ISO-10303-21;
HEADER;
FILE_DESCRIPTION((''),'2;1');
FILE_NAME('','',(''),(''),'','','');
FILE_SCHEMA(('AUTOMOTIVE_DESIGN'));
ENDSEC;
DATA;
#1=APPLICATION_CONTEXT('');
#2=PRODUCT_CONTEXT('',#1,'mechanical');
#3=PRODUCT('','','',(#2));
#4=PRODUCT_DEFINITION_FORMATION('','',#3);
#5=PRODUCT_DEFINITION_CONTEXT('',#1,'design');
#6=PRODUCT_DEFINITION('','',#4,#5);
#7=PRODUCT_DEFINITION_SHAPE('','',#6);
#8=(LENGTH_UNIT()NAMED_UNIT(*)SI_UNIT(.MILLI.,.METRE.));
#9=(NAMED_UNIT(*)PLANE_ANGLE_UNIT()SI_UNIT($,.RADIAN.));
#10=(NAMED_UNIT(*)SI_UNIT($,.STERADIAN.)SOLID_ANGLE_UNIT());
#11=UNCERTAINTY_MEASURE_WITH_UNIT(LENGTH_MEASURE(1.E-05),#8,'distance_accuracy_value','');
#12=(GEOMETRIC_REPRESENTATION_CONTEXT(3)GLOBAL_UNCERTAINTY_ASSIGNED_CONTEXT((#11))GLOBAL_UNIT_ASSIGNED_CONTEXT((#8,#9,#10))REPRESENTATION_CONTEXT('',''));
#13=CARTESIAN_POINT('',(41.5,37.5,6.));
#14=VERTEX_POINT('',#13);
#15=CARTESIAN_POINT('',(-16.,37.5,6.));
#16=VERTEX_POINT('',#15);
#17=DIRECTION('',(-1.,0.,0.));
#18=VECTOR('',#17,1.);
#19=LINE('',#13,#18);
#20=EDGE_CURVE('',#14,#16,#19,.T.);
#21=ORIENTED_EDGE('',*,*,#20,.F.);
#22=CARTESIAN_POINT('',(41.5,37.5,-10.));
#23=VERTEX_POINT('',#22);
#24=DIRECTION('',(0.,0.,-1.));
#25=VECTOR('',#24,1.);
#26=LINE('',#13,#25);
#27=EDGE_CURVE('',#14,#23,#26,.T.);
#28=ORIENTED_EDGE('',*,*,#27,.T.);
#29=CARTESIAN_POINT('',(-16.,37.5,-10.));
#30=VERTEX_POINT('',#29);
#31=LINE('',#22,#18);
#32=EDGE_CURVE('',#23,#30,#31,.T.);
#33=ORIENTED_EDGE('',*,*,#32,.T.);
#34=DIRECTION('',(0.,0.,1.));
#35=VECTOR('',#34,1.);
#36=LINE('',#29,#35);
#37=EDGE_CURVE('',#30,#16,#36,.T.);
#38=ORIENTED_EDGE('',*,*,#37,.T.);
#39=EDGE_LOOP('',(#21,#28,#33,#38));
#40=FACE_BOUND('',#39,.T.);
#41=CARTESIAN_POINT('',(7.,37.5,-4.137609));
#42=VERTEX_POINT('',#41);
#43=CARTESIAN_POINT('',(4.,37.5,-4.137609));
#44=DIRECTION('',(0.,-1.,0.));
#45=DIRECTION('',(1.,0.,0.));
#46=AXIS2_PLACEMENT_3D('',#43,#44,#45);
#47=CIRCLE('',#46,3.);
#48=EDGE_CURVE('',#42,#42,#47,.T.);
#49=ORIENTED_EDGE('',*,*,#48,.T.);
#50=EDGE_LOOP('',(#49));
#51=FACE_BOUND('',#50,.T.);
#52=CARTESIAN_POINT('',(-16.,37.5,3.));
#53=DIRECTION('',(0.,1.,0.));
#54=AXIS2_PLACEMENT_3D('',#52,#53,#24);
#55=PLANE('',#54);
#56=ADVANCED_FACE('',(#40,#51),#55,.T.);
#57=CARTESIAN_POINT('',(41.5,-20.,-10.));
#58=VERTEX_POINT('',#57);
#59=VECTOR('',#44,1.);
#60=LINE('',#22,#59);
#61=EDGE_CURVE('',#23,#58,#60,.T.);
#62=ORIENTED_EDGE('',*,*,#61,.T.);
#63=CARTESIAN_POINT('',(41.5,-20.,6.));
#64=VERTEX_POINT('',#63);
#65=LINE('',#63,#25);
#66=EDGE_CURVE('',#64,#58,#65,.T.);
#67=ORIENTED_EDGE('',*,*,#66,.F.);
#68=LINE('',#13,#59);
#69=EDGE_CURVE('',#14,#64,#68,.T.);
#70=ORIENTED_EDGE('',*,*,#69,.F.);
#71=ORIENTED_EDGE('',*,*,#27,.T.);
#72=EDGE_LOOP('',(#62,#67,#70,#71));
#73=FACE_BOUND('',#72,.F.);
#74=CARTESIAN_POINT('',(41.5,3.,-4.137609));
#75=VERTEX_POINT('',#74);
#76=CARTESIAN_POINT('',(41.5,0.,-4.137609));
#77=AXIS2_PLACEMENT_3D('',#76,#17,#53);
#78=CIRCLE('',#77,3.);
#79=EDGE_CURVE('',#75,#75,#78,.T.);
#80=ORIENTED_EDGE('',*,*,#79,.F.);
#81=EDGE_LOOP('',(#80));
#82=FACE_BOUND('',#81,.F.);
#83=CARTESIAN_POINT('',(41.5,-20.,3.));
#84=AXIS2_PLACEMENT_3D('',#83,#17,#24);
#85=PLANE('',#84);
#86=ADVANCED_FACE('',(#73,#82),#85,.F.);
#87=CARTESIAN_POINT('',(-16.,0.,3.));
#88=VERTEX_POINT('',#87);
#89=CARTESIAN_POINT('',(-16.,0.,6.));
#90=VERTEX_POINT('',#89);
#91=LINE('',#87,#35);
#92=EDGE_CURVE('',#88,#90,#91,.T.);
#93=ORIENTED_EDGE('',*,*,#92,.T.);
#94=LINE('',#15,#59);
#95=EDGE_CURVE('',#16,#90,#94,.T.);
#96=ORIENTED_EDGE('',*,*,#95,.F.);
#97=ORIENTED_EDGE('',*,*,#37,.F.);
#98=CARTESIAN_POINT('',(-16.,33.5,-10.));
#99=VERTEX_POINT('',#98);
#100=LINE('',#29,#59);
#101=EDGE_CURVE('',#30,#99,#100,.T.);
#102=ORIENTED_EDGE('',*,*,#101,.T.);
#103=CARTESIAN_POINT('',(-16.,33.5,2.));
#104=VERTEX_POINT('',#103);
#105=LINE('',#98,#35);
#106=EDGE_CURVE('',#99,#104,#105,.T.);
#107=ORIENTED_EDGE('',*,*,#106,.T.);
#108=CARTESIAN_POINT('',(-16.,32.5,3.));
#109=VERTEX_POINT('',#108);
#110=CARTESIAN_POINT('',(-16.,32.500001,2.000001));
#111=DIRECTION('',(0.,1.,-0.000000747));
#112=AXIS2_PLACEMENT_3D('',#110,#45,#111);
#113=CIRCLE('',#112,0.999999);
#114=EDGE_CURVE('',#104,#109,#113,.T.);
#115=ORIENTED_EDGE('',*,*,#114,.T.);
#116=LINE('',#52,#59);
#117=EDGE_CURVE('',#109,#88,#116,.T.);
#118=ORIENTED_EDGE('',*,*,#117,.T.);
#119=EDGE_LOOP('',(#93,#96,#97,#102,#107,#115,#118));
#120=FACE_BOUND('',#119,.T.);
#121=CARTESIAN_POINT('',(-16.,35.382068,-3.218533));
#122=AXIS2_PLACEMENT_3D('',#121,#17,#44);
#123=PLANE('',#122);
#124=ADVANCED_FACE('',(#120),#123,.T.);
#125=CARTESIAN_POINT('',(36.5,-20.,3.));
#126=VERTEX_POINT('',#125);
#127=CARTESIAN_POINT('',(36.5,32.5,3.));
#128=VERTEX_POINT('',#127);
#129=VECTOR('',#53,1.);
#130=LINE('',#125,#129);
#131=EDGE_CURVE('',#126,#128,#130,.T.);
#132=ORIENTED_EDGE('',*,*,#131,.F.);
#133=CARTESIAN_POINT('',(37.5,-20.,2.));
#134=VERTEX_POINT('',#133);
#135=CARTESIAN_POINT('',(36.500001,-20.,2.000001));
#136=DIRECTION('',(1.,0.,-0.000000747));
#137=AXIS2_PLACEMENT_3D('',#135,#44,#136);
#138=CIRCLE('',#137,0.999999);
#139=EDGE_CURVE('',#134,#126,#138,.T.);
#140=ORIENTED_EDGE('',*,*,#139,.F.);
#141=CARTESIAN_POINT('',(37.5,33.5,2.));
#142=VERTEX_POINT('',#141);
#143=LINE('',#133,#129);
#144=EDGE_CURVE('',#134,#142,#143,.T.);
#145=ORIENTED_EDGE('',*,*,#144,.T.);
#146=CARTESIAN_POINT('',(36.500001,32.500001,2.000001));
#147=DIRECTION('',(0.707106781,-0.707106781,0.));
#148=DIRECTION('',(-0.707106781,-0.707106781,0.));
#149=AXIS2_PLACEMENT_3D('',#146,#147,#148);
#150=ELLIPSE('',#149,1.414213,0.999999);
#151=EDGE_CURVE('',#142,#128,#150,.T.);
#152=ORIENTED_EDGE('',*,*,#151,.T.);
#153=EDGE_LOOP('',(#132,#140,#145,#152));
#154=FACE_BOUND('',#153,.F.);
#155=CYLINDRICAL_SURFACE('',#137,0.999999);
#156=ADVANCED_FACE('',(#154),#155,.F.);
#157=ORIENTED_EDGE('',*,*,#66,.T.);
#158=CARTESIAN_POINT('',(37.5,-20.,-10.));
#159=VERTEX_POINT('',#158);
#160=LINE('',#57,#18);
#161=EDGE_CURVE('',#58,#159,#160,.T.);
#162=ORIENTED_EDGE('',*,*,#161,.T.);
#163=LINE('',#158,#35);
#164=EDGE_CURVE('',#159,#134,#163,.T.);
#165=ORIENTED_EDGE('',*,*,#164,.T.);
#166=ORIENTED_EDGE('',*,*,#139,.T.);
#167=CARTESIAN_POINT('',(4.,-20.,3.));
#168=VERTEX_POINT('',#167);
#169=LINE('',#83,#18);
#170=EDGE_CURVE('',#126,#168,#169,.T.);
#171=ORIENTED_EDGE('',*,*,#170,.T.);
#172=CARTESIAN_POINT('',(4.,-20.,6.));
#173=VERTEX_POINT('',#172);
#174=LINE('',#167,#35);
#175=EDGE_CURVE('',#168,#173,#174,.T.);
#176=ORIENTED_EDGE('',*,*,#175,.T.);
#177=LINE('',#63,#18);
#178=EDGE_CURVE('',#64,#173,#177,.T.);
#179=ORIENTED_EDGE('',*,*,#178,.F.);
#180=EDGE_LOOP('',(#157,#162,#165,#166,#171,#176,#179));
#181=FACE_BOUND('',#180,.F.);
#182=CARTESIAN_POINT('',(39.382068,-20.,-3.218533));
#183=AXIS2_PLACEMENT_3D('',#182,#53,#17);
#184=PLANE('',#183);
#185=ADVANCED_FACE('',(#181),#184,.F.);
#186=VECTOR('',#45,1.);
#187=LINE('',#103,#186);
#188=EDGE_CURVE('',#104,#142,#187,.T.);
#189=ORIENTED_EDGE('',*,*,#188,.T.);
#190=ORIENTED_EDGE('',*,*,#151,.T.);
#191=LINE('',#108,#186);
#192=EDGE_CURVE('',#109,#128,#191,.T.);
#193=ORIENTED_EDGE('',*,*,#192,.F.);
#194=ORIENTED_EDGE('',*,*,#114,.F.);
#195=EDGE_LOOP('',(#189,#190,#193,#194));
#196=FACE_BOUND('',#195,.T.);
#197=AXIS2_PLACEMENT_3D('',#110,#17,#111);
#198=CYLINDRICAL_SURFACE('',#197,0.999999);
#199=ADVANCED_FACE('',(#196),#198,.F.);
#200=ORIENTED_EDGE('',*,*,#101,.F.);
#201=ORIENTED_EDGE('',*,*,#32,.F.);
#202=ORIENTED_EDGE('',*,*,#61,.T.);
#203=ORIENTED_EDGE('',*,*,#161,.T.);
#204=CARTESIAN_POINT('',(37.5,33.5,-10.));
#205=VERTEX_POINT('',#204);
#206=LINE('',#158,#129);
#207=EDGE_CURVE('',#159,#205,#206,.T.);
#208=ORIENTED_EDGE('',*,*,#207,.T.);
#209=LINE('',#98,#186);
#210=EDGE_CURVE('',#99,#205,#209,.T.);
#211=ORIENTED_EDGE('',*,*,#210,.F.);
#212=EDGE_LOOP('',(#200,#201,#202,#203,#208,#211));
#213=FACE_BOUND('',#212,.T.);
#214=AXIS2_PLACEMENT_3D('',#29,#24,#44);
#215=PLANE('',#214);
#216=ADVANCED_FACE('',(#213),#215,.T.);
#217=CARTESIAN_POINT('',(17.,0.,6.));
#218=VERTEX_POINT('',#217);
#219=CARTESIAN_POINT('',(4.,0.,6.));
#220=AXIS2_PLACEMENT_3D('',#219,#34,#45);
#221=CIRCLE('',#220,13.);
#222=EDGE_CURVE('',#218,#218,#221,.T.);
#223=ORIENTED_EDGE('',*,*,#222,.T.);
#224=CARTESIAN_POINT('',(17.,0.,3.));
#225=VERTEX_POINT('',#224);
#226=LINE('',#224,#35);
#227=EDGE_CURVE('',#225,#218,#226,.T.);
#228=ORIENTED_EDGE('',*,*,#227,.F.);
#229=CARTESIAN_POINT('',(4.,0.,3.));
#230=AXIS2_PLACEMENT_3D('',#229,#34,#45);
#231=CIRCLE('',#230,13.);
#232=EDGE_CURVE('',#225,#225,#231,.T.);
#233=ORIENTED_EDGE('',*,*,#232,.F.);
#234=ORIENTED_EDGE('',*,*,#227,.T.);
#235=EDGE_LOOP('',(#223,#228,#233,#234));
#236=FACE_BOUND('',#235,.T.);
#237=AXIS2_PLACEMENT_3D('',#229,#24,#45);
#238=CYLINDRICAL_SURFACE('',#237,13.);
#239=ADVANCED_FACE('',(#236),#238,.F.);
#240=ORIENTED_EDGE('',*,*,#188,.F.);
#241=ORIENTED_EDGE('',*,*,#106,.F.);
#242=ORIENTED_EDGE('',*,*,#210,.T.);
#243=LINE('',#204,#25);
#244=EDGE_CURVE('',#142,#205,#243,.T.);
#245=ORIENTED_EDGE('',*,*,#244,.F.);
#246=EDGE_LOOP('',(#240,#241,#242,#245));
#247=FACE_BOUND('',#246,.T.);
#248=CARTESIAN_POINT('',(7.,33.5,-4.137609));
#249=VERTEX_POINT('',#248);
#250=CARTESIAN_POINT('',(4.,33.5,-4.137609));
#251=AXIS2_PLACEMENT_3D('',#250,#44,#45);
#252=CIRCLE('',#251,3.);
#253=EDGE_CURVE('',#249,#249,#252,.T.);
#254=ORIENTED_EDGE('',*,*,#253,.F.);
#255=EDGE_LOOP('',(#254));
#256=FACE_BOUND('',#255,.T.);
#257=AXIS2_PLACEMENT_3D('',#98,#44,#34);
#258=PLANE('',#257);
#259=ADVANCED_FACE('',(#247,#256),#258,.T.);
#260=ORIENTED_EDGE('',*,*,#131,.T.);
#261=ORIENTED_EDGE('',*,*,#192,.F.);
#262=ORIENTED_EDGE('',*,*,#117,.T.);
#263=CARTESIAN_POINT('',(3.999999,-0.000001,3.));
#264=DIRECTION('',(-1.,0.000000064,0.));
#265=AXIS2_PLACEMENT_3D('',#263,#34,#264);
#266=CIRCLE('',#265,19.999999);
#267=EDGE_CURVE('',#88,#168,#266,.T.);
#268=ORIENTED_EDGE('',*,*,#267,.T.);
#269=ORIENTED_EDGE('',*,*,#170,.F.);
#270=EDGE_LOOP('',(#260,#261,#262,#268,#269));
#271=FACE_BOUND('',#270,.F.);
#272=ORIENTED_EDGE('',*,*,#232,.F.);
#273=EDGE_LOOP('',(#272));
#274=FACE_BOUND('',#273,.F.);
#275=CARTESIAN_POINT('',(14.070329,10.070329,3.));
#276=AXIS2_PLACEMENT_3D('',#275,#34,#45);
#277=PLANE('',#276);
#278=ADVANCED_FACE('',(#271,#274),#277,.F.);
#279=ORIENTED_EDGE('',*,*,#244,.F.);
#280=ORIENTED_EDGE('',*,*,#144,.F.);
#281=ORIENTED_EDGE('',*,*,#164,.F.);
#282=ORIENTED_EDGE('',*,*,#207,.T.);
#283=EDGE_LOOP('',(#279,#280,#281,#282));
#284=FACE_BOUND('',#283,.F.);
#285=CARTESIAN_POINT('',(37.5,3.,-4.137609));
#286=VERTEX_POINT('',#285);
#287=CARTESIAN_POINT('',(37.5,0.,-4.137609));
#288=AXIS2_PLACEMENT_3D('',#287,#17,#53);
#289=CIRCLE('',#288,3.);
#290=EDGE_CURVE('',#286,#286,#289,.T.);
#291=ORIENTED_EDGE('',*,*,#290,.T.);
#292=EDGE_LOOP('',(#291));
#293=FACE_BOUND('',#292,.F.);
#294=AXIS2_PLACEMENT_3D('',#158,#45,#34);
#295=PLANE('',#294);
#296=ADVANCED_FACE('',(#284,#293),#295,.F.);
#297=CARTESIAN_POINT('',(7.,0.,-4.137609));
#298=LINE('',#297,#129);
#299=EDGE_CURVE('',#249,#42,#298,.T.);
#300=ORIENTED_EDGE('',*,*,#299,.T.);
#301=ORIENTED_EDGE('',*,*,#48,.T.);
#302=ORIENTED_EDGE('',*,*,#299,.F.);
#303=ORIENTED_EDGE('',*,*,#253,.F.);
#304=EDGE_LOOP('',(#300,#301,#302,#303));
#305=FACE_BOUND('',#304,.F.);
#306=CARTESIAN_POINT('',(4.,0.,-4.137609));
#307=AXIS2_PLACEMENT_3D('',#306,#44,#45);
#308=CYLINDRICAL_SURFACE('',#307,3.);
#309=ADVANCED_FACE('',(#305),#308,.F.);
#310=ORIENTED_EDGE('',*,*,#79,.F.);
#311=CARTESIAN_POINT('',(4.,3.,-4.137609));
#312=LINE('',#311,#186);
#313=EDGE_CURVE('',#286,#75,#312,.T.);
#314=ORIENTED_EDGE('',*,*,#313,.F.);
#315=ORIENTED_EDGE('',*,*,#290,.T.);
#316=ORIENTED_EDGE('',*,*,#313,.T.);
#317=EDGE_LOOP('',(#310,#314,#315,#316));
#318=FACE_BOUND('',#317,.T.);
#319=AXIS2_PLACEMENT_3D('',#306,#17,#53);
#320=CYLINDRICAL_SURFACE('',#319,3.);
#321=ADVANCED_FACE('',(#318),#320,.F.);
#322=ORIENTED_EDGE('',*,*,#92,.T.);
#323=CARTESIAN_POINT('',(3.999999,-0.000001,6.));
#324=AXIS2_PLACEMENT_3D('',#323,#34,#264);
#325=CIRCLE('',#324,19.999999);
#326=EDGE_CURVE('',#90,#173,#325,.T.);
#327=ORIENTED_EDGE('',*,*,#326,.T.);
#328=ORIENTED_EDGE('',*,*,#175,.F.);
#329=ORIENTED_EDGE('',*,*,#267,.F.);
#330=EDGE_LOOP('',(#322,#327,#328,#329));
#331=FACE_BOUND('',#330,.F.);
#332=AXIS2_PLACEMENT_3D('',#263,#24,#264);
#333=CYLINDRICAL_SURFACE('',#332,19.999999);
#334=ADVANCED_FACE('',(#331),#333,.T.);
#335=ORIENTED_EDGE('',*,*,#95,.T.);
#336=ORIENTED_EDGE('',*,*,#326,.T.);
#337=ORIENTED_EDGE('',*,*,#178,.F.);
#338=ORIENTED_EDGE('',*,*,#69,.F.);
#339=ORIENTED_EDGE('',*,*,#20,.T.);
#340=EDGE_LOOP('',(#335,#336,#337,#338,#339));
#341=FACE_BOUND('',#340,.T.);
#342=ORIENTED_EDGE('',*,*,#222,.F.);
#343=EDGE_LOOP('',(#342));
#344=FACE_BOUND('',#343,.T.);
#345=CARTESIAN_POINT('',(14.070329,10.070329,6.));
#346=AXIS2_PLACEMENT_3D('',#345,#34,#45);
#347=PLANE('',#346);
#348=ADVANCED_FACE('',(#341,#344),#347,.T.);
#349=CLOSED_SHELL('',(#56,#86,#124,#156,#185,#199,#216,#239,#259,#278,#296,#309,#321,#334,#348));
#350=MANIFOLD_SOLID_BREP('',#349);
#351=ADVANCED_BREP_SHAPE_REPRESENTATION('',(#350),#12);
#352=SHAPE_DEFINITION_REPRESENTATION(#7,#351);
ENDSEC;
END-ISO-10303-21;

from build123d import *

# Parameters (mm, degrees)
SKETCH007_R     = 13
PAD003_DEPTH    = 3
PAD004_DEPTH    = 57.5
PAD005_DEPTH    = 57.5
SKETCH010_R     = 3
POCKET002_DEPTH = 37.501
SKETCH011_R     = 3
POCKET003_DEPTH = 37.501


with BuildPart() as part:
    # Sketch007 → Pad003 (new body)
    with BuildSketch(Plane.XY.offset(3)):
        with BuildLine():
            ThreePointArc((-20, 0), (-14.142136, -14.142136), (0, -20))
            Line((37.5, -20), (0, -20))
            Line((37.5, 37.5), (37.5, -20))
            Line((0, 37.5), (37.5, 37.5))
            Line((0, 37.5), (-20, 37.5))
            Line((-20, 37.5), (-20, 0))
        make_face()
        Circle(SKETCH007_R, mode=Mode.SUBTRACT)
    extrude(amount=PAD003_DEPTH)

    # Sketch008 → Pad004 (join)
    with BuildSketch(Plane.XZ.offset(20)):
        with BuildLine():
            Line((32.5, 3), (37.5, 3))
            Line((37.5, 3), (37.5, -10))
            Line((37.5, -10), (33.5, -10))
            Line((33.5, -10), (33.5, 2))
            ThreePointArc((33.5, 2), (33.207107, 2.707107), (32.5, 3))
        make_face()
    extrude(amount=-PAD004_DEPTH)

    # Sketch009 → Pad005 (join)
    with BuildSketch(Plane.YZ.offset(-20)):
        with BuildLine():
            Line((32.5, 3), (37.5, 3))
            Line((37.5, 3), (37.5, -10))
            Line((37.5, -10), (33.5, -10))
            Line((33.5, -10), (33.5, 2))
            ThreePointArc((33.5, 2), (33.207107, 2.707107), (32.5, 3))
        make_face()
    extrude(amount=PAD005_DEPTH)

    # Sketch010 → Pocket002 (cut, through all)
    with BuildSketch(Plane.YZ):
        with Locations((0, -4.137609)):
            Circle(SKETCH010_R)
    extrude(amount=POCKET002_DEPTH, mode=Mode.SUBTRACT)

    # Sketch011 → Pocket003 (cut, through all)
    with BuildSketch(Plane.XZ):
        with Locations((0, -4.137609)):
            Circle(SKETCH011_R)
    extrude(amount=-POCKET003_DEPTH, mode=Mode.SUBTRACT)


with BuildPart() as part_1:
    # Body001 placement: moved
    add(part.part.moved(Location((4, 0, 0))))


solid = part_1.part
